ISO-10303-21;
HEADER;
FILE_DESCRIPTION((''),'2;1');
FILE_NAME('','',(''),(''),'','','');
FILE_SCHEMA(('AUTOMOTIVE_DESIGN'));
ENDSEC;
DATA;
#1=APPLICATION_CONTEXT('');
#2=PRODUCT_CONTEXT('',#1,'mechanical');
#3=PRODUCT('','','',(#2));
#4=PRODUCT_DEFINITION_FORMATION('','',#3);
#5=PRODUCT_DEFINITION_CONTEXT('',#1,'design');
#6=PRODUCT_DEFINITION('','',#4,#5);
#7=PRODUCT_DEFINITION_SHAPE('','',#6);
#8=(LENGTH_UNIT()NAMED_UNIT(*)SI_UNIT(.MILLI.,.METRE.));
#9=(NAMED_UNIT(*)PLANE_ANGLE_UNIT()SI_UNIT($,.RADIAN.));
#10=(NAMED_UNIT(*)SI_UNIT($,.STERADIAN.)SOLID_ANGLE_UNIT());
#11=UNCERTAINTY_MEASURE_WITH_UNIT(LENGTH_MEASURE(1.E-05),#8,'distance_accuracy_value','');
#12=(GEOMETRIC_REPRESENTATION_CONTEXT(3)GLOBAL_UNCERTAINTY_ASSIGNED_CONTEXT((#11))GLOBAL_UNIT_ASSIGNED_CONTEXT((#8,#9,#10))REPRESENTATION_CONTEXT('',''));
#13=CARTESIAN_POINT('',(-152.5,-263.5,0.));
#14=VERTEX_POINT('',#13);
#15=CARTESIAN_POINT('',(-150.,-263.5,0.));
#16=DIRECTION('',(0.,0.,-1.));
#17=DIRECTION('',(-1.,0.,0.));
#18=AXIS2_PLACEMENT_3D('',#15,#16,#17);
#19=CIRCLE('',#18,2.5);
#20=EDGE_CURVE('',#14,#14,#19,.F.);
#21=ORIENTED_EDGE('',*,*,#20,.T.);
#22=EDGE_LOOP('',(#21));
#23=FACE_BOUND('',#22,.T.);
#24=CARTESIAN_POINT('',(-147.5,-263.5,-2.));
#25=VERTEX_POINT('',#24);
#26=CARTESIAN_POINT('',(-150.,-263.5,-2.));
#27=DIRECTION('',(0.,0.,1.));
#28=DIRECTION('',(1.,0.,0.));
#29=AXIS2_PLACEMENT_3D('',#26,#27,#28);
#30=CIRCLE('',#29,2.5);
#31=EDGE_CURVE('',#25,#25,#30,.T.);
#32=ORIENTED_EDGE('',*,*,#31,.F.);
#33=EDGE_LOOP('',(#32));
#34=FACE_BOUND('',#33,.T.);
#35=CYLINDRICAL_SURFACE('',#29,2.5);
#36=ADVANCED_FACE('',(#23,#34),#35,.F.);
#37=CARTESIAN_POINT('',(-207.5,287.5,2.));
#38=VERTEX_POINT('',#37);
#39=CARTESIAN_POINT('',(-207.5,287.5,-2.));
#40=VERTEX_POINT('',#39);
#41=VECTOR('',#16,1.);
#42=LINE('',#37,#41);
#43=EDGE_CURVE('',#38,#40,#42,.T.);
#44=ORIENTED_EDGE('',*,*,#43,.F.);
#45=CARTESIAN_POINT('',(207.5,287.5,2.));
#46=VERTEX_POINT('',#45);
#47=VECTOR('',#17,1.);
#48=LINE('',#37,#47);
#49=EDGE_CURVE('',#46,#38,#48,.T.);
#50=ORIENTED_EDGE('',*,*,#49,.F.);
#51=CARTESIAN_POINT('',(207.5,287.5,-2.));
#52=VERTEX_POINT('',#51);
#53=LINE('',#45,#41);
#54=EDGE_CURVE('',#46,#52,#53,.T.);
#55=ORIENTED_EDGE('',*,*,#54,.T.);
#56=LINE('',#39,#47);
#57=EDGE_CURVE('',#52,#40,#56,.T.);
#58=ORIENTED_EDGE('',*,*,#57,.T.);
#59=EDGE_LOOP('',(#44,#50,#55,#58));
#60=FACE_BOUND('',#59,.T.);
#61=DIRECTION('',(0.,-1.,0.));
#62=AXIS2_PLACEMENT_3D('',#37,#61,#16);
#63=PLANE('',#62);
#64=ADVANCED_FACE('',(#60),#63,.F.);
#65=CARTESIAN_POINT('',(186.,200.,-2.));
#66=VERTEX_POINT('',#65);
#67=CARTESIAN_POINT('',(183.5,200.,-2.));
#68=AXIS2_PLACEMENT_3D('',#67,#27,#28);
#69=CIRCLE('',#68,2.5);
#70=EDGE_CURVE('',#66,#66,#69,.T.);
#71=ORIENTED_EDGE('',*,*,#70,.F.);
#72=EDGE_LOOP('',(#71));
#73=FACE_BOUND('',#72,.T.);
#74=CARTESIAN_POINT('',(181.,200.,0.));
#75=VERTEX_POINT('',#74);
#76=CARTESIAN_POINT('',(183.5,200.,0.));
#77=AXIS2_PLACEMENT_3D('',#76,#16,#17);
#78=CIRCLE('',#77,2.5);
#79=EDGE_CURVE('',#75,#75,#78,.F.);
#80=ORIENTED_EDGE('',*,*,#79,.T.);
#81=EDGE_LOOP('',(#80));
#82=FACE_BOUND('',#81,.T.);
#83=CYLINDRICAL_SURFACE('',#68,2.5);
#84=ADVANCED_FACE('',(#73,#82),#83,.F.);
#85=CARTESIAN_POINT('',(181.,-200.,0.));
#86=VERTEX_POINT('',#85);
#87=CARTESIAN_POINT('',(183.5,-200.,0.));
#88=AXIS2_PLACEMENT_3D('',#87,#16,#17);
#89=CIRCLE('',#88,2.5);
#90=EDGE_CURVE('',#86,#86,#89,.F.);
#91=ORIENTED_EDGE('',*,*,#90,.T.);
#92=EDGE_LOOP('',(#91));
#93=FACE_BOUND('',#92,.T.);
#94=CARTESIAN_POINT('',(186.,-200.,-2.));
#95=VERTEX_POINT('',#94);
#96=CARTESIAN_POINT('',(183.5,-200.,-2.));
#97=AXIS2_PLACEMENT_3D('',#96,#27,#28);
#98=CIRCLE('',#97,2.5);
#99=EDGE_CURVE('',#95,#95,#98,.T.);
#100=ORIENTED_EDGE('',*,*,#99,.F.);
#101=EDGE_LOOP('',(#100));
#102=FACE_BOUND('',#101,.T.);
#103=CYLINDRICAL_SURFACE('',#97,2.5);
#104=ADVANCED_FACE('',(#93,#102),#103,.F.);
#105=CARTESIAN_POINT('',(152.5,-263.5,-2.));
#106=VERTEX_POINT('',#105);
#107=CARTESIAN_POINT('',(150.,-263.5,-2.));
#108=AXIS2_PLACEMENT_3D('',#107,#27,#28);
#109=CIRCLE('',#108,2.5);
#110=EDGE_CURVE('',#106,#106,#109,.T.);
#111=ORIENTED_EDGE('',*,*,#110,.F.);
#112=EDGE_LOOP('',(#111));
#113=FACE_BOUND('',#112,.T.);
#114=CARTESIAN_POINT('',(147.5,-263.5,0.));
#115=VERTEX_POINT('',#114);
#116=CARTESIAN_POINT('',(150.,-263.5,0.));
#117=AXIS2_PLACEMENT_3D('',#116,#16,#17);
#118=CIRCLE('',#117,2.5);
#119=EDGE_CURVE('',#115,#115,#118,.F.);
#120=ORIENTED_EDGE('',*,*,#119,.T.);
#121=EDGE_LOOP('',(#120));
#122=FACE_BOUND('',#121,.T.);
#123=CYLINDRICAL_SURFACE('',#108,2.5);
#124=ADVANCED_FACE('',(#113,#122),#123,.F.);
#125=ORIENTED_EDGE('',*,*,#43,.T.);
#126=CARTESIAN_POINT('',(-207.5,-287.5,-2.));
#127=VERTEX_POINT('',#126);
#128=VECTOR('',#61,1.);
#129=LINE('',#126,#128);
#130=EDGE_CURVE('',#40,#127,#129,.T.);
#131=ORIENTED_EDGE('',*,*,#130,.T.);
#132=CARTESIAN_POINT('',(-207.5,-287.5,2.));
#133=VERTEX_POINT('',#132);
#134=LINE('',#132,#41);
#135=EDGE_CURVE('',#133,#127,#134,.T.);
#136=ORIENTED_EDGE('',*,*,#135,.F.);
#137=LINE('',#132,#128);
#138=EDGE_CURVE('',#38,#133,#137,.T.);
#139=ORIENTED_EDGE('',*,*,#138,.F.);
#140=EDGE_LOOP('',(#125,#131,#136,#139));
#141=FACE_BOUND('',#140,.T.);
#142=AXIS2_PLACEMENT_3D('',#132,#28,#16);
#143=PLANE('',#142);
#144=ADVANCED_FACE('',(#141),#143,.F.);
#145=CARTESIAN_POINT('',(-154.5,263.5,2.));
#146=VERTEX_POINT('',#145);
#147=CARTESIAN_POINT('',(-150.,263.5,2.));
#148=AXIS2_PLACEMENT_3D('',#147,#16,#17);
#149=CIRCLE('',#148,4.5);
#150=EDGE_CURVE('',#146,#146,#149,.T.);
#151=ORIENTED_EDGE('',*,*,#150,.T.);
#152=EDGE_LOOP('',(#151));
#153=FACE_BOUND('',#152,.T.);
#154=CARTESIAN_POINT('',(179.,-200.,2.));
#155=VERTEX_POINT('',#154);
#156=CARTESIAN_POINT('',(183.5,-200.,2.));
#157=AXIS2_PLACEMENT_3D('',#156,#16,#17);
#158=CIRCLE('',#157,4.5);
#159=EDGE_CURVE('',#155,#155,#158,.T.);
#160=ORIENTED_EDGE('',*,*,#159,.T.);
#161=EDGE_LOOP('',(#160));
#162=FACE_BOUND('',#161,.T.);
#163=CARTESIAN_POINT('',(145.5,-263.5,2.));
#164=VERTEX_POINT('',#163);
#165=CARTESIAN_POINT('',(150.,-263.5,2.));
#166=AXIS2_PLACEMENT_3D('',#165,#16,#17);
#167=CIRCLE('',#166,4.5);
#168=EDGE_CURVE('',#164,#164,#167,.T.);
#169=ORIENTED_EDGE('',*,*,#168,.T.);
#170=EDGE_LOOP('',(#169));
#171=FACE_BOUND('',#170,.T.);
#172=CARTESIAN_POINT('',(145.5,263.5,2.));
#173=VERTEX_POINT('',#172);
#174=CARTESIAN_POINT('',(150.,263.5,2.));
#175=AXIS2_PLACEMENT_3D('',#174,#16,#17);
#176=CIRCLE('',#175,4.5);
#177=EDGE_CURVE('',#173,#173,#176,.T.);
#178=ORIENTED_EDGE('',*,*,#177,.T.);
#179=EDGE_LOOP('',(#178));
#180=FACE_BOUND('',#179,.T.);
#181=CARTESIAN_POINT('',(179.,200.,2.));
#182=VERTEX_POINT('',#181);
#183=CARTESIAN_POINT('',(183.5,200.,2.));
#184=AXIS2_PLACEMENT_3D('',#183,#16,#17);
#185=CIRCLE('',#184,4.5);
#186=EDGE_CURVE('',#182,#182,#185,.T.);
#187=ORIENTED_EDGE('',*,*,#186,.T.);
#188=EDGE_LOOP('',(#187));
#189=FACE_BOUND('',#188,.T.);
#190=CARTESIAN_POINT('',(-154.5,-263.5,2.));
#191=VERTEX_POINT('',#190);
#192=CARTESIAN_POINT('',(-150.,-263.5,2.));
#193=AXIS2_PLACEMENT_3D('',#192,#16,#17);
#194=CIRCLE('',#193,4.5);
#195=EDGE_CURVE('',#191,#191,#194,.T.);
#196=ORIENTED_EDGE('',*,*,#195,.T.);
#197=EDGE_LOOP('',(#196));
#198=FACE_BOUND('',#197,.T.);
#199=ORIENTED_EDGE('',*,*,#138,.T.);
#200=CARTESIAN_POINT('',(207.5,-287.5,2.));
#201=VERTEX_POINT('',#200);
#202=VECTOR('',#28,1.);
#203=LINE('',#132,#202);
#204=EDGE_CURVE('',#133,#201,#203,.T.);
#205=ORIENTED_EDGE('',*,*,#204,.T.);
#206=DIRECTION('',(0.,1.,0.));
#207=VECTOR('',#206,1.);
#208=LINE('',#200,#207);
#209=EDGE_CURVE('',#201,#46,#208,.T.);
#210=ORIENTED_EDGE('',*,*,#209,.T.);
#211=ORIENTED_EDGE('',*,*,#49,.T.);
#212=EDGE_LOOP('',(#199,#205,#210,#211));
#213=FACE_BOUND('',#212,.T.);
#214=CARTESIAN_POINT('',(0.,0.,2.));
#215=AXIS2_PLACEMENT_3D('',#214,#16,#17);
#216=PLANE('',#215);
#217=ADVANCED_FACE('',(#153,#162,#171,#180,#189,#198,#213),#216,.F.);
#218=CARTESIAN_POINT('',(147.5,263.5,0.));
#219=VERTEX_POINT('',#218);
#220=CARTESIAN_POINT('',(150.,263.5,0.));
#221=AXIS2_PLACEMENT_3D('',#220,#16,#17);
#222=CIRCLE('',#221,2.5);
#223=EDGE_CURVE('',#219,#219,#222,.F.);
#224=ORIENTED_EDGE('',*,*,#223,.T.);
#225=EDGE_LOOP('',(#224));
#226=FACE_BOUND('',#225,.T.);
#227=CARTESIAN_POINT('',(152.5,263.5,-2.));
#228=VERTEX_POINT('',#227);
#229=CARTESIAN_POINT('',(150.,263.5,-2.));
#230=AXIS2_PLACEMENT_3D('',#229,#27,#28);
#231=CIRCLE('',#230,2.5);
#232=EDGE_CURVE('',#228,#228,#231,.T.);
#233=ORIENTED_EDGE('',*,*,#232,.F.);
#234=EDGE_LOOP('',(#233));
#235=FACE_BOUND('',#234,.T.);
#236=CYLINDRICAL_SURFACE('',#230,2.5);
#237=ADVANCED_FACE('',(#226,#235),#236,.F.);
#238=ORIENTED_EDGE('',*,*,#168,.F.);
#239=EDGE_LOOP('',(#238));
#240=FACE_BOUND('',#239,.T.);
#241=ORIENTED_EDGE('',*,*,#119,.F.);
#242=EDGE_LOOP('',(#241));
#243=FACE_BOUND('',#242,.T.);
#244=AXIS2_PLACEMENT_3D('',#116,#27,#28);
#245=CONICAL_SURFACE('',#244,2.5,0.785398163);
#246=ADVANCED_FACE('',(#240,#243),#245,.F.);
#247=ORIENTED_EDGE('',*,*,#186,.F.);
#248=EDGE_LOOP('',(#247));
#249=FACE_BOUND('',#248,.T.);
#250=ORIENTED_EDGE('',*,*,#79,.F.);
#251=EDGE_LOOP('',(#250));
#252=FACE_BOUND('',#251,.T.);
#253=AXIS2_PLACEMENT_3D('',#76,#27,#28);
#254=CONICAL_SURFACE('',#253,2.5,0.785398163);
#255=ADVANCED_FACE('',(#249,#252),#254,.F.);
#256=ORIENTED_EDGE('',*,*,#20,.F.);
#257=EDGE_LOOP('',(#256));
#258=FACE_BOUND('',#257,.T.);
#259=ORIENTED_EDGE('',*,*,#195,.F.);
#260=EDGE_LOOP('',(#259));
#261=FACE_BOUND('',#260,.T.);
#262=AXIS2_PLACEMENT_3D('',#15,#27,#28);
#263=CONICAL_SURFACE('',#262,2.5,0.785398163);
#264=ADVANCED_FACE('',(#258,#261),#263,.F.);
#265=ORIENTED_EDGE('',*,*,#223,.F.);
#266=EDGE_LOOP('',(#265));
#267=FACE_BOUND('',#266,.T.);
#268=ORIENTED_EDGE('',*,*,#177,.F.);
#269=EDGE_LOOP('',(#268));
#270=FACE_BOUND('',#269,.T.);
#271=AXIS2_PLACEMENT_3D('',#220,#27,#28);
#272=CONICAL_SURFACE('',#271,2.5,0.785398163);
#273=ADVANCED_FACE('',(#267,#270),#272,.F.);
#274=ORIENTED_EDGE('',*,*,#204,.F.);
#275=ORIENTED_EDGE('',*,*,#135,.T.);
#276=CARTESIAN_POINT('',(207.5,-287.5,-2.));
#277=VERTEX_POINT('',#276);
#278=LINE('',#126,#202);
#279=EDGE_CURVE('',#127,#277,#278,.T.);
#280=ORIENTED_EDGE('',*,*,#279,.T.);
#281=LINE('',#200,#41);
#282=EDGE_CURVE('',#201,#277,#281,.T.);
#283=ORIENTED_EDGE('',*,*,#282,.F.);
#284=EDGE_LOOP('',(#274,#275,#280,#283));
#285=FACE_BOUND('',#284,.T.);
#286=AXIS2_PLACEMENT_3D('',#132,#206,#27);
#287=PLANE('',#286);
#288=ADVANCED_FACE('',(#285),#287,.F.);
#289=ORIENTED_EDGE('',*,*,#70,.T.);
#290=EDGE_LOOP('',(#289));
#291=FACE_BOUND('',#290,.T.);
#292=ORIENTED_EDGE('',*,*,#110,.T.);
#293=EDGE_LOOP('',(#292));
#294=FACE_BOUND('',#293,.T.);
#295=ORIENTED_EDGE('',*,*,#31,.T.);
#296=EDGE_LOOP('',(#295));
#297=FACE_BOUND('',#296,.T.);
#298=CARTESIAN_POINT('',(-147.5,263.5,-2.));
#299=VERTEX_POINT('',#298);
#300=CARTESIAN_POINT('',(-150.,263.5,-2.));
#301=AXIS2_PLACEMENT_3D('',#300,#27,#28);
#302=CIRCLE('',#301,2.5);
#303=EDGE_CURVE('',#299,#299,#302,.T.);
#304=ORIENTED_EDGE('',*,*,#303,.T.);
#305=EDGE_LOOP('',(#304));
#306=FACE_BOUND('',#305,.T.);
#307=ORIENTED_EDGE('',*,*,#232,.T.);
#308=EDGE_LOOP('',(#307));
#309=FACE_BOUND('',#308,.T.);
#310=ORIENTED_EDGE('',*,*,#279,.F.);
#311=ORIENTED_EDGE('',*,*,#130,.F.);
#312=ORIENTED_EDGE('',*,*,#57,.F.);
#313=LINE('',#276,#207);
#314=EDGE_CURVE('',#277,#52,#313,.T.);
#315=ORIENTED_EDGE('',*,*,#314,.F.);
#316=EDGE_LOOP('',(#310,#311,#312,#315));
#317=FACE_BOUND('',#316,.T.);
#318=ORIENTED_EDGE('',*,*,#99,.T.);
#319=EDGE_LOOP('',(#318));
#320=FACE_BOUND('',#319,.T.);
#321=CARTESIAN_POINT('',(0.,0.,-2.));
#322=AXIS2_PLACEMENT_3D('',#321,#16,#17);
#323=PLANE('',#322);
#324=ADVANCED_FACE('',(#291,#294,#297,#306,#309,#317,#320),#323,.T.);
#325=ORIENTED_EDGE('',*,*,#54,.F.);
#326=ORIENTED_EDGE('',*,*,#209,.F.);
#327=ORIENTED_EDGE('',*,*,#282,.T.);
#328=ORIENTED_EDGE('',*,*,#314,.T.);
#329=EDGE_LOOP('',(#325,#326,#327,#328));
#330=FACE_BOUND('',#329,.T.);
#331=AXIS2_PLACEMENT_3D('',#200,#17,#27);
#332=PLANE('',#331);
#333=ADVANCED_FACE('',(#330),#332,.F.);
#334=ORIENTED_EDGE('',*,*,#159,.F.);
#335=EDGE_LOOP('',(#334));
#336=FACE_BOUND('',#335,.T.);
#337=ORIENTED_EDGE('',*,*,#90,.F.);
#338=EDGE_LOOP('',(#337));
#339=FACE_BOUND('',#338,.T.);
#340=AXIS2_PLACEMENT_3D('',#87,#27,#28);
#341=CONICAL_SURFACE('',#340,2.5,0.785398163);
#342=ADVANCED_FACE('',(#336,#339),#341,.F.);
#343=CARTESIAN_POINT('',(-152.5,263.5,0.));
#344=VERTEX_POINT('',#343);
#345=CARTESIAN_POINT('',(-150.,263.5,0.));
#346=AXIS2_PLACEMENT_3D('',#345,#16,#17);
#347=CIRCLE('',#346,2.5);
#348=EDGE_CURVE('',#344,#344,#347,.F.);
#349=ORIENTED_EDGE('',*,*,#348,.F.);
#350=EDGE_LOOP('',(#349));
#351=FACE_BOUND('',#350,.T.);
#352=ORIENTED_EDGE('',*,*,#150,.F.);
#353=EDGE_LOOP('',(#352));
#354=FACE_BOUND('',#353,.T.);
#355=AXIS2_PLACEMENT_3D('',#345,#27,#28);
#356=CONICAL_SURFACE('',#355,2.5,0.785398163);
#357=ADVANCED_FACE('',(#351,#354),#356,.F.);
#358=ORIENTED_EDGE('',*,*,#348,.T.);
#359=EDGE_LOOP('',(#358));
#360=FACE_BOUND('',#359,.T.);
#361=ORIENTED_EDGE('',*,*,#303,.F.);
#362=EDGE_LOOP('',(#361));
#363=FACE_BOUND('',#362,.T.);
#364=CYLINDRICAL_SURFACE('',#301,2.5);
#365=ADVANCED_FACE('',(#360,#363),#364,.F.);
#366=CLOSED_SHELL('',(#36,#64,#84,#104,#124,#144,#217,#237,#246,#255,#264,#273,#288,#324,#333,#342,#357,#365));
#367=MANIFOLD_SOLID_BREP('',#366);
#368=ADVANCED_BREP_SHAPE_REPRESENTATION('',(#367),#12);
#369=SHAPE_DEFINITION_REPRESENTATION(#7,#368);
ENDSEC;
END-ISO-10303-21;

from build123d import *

# Parameters (mm, degrees)
ESQUISSE1_W             = 415
ESQUISSE1_H             = 575
BOSS_EXTRU_1_DEPTH      = 2
ESQUISSE2_R             = 2.5
ENL_V_MAT_EXTRU_1_DEPTH = 355.582148451
CHANFREIN1_SIZE         = 2


with BuildPart() as part:
    # Esquisse1 → Boss.-Extru.1 (new, symmetric)
    with BuildSketch(Plane.XY):
        Rectangle(ESQUISSE1_W, ESQUISSE1_H)
    extrude(amount=BOSS_EXTRU_1_DEPTH, both=True)

    # Esquisse2 → Enlèv. mat.-Extru.1 (cut, through all)
    with BuildSketch(Plane.XY.offset(2)):
        with Locations((-150, -263.5)):
            Circle(ESQUISSE2_R)
        with Locations((150, -263.5)):
            Circle(ESQUISSE2_R)
        with Locations((183.5, -200)):
            Circle(ESQUISSE2_R)
        with Locations((183.5, 200)):
            Circle(ESQUISSE2_R)
        with Locations((-150, 263.5)):
            Circle(ESQUISSE2_R)
        with Locations((150, 263.5)):
            Circle(ESQUISSE2_R)
    extrude(amount=-ENL_V_MAT_EXTRU_1_DEPTH, mode=Mode.SUBTRACT)

    # Chanfrein1
    chanfrein1_edges = [part.edges().sort_by_distance(p)[0] for p in [
        (147.5, -263.5, 2),
        (181, -200, 2),
        (181, 200, 2),
        (-152.5, 263.5, 2),
        (147.5, 263.5, 2),
        (-152.5, -263.5, 2),
    ]]
    chamfer(chanfrein1_edges, length=CHANFREIN1_SIZE)


solid = part.part
